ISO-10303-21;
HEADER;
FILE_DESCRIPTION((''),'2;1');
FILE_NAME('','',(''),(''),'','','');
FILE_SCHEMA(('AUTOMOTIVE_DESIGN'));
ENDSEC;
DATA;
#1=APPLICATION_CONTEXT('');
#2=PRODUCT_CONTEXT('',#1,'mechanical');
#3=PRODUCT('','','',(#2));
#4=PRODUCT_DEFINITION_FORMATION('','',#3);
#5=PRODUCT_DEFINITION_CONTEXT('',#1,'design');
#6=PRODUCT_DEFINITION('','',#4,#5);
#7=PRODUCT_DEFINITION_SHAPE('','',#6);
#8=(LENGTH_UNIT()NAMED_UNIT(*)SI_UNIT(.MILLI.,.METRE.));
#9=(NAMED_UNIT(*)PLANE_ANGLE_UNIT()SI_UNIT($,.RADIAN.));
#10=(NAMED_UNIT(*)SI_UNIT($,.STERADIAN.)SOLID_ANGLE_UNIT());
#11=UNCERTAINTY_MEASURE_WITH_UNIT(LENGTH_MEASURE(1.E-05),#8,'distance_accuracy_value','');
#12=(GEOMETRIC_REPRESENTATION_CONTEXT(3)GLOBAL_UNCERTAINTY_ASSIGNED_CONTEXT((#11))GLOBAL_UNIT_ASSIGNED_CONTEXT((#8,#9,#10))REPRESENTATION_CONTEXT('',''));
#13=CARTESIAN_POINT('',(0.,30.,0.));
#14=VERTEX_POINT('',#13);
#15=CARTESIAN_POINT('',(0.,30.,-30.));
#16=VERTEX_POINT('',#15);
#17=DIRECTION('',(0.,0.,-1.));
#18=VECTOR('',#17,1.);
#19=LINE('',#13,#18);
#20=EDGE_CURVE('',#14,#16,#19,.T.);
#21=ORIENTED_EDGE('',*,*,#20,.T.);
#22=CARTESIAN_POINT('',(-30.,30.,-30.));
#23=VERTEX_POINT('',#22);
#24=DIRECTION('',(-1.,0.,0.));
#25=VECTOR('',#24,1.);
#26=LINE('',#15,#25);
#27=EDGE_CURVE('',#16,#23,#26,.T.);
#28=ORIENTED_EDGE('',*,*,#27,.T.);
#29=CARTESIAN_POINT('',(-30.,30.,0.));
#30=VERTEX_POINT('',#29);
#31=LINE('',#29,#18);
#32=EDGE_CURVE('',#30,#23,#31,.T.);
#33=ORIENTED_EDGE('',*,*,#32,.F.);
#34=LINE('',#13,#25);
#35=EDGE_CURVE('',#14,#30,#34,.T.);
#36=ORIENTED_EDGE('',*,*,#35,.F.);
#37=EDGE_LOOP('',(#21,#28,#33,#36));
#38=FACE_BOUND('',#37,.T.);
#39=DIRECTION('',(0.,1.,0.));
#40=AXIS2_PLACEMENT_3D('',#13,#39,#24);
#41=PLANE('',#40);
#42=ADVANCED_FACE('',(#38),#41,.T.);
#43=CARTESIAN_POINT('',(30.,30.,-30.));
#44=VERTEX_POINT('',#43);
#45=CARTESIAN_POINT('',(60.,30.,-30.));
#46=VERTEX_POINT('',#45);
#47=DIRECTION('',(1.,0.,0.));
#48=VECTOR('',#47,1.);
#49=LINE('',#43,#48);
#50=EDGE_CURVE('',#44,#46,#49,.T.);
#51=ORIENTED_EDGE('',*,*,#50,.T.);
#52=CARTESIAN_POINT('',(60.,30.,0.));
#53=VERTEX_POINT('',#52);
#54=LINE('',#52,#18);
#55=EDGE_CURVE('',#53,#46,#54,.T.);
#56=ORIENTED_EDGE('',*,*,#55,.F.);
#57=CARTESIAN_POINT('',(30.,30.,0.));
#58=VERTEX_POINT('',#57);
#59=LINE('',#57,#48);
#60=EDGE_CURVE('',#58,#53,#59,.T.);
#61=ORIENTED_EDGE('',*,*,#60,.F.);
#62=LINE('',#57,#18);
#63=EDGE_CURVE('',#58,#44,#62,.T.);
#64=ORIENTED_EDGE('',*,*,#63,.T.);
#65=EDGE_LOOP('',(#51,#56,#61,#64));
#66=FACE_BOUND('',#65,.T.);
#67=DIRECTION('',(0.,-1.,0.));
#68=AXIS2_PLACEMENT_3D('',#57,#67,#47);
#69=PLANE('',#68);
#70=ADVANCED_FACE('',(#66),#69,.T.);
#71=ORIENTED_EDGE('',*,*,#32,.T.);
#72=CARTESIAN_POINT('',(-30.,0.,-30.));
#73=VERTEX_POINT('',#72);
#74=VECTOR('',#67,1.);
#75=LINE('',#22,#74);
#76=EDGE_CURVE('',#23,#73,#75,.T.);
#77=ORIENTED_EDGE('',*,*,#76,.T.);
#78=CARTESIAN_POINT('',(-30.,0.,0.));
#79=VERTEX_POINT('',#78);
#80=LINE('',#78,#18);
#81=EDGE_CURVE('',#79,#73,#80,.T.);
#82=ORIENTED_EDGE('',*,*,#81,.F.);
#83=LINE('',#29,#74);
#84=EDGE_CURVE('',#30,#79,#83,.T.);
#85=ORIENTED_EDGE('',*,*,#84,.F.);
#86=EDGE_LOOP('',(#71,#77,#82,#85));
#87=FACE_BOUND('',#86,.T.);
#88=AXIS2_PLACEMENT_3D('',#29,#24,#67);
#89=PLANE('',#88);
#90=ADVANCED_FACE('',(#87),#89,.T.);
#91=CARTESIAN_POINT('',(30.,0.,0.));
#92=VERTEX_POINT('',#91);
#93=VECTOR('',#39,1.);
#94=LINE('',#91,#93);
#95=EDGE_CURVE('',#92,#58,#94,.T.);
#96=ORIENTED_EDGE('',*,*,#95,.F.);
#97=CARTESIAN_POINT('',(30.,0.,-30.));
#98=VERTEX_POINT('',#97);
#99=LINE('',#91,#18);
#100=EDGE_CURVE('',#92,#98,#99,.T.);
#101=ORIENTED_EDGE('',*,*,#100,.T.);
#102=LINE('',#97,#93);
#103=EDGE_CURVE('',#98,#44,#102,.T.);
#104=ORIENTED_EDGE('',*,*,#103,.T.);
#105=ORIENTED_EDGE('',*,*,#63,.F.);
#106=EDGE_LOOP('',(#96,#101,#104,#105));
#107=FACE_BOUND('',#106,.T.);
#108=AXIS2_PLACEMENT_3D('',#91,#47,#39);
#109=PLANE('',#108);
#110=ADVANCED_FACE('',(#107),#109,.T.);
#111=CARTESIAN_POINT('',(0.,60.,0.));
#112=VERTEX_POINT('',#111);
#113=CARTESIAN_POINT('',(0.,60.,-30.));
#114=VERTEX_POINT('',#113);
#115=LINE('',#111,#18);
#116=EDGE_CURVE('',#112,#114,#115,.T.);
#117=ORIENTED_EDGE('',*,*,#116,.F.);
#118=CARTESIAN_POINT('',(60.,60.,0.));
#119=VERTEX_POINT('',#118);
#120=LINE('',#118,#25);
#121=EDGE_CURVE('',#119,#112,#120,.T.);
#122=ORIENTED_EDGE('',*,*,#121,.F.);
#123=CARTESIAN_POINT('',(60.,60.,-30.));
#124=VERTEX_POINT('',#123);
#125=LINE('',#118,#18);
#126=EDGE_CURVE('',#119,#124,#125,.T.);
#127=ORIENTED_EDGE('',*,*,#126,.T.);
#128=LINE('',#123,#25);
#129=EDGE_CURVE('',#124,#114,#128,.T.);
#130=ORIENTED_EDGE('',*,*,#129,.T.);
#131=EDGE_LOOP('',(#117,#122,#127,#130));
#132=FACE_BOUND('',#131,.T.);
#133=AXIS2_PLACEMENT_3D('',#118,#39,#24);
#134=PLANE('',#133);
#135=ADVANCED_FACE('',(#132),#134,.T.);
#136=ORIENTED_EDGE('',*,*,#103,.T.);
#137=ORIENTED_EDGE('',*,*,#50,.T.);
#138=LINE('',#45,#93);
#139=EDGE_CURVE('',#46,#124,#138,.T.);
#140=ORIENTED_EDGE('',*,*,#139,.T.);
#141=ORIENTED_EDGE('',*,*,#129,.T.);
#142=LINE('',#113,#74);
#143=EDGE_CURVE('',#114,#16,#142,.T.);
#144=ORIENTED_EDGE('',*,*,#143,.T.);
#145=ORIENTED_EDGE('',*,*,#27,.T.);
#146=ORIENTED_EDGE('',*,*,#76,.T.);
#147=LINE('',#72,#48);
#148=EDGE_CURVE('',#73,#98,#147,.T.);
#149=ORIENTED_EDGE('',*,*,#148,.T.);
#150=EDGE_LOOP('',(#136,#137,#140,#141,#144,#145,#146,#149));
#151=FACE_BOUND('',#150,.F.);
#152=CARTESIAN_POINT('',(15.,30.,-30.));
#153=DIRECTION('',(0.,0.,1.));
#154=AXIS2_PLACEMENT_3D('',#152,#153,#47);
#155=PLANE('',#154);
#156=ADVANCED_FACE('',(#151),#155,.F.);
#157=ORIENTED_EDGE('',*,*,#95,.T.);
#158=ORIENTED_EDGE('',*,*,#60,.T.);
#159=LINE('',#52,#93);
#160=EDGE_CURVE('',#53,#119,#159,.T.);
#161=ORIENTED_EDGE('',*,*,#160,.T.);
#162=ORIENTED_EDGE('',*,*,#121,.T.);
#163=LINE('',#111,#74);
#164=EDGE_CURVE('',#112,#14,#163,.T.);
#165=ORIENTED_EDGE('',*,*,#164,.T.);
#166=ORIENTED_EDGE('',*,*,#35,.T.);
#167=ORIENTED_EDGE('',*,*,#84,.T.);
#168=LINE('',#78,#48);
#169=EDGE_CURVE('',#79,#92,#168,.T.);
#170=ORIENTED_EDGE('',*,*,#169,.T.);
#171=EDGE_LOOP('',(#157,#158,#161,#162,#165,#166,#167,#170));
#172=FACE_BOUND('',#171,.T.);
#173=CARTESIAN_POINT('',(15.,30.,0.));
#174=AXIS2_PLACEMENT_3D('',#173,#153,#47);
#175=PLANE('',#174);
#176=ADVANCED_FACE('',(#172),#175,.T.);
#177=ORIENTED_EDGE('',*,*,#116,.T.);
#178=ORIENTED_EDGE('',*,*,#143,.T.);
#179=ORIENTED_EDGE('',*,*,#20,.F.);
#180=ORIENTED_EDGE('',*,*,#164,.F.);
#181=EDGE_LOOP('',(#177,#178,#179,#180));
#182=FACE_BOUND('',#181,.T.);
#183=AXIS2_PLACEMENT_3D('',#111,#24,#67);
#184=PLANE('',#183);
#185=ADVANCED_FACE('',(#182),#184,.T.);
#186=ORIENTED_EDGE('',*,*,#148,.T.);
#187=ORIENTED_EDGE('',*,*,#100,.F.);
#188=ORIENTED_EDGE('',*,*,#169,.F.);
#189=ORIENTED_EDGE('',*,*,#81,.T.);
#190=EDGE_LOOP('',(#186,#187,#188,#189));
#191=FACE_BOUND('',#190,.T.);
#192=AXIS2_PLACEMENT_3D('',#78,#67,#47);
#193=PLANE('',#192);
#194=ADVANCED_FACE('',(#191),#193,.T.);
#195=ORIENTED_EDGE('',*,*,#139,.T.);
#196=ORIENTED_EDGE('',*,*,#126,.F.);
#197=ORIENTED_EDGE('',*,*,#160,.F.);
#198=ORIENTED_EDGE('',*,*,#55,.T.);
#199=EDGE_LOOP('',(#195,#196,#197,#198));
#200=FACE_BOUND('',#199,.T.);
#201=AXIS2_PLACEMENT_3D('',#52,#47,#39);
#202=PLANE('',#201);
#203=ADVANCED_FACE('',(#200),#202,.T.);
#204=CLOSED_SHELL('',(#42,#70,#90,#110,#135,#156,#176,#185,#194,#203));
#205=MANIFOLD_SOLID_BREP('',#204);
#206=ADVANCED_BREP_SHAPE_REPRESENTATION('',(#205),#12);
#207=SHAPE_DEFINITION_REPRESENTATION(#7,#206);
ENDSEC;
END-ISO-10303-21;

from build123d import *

# Parameters (mm, degrees)
BOSS_EXTRUDE1_DEPTH = 30


with BuildPart() as part:
    # Sketch1 → Boss-Extrude1 (new body)
    with BuildSketch(Plane.XY):
        Polygon((-30, 0), (30, 0), (30, 30), (60, 30), (60, 60), (0, 60), (0, 30), (-30, 30), align=None)
    extrude(amount=-BOSS_EXTRUDE1_DEPTH)


solid = part.part
